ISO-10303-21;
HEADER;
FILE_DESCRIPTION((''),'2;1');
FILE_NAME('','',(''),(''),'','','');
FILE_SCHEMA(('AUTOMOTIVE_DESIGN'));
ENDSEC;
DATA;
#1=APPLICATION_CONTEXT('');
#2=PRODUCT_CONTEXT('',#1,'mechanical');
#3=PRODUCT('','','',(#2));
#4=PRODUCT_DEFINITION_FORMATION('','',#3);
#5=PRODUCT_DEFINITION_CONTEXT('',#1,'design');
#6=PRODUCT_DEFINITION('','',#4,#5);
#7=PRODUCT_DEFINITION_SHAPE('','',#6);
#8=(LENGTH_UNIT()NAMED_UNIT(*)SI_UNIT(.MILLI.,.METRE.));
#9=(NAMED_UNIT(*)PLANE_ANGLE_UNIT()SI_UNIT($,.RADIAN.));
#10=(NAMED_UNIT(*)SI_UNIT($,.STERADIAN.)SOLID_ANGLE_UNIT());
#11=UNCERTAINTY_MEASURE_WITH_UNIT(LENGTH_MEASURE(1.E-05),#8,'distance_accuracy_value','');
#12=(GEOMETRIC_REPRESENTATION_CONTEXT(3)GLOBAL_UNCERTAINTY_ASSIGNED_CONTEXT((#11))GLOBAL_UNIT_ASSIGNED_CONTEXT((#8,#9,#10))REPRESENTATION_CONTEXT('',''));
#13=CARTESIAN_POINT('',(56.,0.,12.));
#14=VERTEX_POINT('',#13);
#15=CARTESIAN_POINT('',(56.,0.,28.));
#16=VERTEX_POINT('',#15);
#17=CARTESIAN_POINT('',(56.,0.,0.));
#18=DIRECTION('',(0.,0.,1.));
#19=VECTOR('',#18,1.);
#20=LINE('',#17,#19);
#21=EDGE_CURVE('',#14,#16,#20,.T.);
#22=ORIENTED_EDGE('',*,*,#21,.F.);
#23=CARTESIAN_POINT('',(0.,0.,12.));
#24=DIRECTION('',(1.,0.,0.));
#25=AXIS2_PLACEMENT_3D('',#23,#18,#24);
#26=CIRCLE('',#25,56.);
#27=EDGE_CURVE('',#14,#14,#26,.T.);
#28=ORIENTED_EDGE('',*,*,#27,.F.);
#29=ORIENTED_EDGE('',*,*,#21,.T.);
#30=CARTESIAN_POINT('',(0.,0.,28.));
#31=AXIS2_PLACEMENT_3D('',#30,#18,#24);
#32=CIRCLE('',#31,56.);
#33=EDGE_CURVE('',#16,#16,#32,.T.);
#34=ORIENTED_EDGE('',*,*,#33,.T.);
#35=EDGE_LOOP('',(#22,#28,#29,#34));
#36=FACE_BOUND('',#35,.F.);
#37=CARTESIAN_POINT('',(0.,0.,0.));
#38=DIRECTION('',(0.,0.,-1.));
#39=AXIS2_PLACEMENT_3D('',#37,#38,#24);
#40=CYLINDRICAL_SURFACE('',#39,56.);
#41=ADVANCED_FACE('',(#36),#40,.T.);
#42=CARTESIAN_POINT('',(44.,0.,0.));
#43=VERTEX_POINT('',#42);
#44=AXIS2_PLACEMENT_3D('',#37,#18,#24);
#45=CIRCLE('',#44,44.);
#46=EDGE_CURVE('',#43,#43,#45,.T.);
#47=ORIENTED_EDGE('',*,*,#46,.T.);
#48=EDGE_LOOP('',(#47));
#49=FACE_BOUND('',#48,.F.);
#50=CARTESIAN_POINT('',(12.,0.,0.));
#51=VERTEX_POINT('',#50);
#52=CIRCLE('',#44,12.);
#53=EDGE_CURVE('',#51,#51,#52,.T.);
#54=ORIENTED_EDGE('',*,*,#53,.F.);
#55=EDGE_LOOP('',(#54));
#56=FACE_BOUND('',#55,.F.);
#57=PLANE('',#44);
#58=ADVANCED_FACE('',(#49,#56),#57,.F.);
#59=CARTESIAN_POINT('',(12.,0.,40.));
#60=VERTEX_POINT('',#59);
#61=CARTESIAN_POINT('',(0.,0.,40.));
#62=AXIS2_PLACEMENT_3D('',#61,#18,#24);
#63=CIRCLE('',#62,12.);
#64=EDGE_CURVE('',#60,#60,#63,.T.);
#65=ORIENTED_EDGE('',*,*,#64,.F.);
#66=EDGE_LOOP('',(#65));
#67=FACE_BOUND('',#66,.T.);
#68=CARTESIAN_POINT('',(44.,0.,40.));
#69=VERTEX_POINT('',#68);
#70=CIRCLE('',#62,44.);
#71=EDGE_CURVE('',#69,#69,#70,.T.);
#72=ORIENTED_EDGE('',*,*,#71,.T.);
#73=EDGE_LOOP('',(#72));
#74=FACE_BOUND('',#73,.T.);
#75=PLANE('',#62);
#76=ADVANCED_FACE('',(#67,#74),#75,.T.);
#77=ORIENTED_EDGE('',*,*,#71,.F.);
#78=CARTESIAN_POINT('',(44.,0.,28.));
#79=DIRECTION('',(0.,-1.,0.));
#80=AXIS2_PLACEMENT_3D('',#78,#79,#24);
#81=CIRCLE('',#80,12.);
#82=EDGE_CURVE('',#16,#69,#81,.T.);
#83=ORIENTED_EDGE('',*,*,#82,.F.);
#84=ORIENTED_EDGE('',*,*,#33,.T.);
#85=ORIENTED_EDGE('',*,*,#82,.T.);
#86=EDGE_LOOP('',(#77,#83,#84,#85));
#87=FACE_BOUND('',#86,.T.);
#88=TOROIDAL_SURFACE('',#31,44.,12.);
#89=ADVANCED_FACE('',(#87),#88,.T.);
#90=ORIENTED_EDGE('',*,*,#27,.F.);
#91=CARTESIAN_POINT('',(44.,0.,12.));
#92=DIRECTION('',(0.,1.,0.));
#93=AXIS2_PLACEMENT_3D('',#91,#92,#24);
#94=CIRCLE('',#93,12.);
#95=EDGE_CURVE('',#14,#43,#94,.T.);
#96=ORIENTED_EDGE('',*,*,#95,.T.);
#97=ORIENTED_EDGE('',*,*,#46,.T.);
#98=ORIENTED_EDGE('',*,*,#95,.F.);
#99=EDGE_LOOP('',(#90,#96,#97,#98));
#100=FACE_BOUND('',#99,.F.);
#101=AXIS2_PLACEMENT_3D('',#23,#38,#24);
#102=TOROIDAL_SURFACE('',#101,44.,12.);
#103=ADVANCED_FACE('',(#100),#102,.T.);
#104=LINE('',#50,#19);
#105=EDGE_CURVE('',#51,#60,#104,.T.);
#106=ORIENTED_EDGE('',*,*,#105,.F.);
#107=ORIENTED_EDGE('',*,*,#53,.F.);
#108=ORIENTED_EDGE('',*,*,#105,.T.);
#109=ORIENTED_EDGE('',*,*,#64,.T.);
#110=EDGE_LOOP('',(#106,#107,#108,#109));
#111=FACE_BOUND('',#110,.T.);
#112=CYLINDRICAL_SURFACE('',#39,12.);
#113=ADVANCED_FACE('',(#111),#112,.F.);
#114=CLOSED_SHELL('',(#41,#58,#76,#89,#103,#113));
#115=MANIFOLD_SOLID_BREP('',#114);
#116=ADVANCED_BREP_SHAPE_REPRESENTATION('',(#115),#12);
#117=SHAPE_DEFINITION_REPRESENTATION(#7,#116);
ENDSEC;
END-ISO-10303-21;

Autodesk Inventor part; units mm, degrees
ref_plane "YZ Plane" through (0, 0, 0) normal (1, 0, 0) x (0, 1, 0)
ref_plane "XZ Plane" through (0, 0, 0) normal (0, 1, 0) x (-1, 0, 0)
ref_plane "XY Plane" through (0, 0, 0) normal (0, 0, 1) x (1, 0, 0)
sketch "Sketch1" plane through (0, 0, 0) normal (0, 0, 1) x (1, 0, 0)
  point P0 (0, 0)
sketch "Sketch2" plane through (0, 0, 0) normal (0, 0, 1) x (1, 0, 0)
  circle A0 centre (0, 0) radius 56
  circle A1 centre (0, 0) radius 12
  dimension "d0" = 112
  dimension "d1" = 24
extrude "Extrusion1" add sketch "Sketch2" along normal blind 40
fillet "Fillet1" radius 12 2 edges at (-56, 0, 40) (-56, 0, 0)
sketch "Sketch3" plane through (0, 0, 0) normal (0, 0, -1) x (-1, 0, 0)
  point P0 (0, 0)
properties part number "wheel"
